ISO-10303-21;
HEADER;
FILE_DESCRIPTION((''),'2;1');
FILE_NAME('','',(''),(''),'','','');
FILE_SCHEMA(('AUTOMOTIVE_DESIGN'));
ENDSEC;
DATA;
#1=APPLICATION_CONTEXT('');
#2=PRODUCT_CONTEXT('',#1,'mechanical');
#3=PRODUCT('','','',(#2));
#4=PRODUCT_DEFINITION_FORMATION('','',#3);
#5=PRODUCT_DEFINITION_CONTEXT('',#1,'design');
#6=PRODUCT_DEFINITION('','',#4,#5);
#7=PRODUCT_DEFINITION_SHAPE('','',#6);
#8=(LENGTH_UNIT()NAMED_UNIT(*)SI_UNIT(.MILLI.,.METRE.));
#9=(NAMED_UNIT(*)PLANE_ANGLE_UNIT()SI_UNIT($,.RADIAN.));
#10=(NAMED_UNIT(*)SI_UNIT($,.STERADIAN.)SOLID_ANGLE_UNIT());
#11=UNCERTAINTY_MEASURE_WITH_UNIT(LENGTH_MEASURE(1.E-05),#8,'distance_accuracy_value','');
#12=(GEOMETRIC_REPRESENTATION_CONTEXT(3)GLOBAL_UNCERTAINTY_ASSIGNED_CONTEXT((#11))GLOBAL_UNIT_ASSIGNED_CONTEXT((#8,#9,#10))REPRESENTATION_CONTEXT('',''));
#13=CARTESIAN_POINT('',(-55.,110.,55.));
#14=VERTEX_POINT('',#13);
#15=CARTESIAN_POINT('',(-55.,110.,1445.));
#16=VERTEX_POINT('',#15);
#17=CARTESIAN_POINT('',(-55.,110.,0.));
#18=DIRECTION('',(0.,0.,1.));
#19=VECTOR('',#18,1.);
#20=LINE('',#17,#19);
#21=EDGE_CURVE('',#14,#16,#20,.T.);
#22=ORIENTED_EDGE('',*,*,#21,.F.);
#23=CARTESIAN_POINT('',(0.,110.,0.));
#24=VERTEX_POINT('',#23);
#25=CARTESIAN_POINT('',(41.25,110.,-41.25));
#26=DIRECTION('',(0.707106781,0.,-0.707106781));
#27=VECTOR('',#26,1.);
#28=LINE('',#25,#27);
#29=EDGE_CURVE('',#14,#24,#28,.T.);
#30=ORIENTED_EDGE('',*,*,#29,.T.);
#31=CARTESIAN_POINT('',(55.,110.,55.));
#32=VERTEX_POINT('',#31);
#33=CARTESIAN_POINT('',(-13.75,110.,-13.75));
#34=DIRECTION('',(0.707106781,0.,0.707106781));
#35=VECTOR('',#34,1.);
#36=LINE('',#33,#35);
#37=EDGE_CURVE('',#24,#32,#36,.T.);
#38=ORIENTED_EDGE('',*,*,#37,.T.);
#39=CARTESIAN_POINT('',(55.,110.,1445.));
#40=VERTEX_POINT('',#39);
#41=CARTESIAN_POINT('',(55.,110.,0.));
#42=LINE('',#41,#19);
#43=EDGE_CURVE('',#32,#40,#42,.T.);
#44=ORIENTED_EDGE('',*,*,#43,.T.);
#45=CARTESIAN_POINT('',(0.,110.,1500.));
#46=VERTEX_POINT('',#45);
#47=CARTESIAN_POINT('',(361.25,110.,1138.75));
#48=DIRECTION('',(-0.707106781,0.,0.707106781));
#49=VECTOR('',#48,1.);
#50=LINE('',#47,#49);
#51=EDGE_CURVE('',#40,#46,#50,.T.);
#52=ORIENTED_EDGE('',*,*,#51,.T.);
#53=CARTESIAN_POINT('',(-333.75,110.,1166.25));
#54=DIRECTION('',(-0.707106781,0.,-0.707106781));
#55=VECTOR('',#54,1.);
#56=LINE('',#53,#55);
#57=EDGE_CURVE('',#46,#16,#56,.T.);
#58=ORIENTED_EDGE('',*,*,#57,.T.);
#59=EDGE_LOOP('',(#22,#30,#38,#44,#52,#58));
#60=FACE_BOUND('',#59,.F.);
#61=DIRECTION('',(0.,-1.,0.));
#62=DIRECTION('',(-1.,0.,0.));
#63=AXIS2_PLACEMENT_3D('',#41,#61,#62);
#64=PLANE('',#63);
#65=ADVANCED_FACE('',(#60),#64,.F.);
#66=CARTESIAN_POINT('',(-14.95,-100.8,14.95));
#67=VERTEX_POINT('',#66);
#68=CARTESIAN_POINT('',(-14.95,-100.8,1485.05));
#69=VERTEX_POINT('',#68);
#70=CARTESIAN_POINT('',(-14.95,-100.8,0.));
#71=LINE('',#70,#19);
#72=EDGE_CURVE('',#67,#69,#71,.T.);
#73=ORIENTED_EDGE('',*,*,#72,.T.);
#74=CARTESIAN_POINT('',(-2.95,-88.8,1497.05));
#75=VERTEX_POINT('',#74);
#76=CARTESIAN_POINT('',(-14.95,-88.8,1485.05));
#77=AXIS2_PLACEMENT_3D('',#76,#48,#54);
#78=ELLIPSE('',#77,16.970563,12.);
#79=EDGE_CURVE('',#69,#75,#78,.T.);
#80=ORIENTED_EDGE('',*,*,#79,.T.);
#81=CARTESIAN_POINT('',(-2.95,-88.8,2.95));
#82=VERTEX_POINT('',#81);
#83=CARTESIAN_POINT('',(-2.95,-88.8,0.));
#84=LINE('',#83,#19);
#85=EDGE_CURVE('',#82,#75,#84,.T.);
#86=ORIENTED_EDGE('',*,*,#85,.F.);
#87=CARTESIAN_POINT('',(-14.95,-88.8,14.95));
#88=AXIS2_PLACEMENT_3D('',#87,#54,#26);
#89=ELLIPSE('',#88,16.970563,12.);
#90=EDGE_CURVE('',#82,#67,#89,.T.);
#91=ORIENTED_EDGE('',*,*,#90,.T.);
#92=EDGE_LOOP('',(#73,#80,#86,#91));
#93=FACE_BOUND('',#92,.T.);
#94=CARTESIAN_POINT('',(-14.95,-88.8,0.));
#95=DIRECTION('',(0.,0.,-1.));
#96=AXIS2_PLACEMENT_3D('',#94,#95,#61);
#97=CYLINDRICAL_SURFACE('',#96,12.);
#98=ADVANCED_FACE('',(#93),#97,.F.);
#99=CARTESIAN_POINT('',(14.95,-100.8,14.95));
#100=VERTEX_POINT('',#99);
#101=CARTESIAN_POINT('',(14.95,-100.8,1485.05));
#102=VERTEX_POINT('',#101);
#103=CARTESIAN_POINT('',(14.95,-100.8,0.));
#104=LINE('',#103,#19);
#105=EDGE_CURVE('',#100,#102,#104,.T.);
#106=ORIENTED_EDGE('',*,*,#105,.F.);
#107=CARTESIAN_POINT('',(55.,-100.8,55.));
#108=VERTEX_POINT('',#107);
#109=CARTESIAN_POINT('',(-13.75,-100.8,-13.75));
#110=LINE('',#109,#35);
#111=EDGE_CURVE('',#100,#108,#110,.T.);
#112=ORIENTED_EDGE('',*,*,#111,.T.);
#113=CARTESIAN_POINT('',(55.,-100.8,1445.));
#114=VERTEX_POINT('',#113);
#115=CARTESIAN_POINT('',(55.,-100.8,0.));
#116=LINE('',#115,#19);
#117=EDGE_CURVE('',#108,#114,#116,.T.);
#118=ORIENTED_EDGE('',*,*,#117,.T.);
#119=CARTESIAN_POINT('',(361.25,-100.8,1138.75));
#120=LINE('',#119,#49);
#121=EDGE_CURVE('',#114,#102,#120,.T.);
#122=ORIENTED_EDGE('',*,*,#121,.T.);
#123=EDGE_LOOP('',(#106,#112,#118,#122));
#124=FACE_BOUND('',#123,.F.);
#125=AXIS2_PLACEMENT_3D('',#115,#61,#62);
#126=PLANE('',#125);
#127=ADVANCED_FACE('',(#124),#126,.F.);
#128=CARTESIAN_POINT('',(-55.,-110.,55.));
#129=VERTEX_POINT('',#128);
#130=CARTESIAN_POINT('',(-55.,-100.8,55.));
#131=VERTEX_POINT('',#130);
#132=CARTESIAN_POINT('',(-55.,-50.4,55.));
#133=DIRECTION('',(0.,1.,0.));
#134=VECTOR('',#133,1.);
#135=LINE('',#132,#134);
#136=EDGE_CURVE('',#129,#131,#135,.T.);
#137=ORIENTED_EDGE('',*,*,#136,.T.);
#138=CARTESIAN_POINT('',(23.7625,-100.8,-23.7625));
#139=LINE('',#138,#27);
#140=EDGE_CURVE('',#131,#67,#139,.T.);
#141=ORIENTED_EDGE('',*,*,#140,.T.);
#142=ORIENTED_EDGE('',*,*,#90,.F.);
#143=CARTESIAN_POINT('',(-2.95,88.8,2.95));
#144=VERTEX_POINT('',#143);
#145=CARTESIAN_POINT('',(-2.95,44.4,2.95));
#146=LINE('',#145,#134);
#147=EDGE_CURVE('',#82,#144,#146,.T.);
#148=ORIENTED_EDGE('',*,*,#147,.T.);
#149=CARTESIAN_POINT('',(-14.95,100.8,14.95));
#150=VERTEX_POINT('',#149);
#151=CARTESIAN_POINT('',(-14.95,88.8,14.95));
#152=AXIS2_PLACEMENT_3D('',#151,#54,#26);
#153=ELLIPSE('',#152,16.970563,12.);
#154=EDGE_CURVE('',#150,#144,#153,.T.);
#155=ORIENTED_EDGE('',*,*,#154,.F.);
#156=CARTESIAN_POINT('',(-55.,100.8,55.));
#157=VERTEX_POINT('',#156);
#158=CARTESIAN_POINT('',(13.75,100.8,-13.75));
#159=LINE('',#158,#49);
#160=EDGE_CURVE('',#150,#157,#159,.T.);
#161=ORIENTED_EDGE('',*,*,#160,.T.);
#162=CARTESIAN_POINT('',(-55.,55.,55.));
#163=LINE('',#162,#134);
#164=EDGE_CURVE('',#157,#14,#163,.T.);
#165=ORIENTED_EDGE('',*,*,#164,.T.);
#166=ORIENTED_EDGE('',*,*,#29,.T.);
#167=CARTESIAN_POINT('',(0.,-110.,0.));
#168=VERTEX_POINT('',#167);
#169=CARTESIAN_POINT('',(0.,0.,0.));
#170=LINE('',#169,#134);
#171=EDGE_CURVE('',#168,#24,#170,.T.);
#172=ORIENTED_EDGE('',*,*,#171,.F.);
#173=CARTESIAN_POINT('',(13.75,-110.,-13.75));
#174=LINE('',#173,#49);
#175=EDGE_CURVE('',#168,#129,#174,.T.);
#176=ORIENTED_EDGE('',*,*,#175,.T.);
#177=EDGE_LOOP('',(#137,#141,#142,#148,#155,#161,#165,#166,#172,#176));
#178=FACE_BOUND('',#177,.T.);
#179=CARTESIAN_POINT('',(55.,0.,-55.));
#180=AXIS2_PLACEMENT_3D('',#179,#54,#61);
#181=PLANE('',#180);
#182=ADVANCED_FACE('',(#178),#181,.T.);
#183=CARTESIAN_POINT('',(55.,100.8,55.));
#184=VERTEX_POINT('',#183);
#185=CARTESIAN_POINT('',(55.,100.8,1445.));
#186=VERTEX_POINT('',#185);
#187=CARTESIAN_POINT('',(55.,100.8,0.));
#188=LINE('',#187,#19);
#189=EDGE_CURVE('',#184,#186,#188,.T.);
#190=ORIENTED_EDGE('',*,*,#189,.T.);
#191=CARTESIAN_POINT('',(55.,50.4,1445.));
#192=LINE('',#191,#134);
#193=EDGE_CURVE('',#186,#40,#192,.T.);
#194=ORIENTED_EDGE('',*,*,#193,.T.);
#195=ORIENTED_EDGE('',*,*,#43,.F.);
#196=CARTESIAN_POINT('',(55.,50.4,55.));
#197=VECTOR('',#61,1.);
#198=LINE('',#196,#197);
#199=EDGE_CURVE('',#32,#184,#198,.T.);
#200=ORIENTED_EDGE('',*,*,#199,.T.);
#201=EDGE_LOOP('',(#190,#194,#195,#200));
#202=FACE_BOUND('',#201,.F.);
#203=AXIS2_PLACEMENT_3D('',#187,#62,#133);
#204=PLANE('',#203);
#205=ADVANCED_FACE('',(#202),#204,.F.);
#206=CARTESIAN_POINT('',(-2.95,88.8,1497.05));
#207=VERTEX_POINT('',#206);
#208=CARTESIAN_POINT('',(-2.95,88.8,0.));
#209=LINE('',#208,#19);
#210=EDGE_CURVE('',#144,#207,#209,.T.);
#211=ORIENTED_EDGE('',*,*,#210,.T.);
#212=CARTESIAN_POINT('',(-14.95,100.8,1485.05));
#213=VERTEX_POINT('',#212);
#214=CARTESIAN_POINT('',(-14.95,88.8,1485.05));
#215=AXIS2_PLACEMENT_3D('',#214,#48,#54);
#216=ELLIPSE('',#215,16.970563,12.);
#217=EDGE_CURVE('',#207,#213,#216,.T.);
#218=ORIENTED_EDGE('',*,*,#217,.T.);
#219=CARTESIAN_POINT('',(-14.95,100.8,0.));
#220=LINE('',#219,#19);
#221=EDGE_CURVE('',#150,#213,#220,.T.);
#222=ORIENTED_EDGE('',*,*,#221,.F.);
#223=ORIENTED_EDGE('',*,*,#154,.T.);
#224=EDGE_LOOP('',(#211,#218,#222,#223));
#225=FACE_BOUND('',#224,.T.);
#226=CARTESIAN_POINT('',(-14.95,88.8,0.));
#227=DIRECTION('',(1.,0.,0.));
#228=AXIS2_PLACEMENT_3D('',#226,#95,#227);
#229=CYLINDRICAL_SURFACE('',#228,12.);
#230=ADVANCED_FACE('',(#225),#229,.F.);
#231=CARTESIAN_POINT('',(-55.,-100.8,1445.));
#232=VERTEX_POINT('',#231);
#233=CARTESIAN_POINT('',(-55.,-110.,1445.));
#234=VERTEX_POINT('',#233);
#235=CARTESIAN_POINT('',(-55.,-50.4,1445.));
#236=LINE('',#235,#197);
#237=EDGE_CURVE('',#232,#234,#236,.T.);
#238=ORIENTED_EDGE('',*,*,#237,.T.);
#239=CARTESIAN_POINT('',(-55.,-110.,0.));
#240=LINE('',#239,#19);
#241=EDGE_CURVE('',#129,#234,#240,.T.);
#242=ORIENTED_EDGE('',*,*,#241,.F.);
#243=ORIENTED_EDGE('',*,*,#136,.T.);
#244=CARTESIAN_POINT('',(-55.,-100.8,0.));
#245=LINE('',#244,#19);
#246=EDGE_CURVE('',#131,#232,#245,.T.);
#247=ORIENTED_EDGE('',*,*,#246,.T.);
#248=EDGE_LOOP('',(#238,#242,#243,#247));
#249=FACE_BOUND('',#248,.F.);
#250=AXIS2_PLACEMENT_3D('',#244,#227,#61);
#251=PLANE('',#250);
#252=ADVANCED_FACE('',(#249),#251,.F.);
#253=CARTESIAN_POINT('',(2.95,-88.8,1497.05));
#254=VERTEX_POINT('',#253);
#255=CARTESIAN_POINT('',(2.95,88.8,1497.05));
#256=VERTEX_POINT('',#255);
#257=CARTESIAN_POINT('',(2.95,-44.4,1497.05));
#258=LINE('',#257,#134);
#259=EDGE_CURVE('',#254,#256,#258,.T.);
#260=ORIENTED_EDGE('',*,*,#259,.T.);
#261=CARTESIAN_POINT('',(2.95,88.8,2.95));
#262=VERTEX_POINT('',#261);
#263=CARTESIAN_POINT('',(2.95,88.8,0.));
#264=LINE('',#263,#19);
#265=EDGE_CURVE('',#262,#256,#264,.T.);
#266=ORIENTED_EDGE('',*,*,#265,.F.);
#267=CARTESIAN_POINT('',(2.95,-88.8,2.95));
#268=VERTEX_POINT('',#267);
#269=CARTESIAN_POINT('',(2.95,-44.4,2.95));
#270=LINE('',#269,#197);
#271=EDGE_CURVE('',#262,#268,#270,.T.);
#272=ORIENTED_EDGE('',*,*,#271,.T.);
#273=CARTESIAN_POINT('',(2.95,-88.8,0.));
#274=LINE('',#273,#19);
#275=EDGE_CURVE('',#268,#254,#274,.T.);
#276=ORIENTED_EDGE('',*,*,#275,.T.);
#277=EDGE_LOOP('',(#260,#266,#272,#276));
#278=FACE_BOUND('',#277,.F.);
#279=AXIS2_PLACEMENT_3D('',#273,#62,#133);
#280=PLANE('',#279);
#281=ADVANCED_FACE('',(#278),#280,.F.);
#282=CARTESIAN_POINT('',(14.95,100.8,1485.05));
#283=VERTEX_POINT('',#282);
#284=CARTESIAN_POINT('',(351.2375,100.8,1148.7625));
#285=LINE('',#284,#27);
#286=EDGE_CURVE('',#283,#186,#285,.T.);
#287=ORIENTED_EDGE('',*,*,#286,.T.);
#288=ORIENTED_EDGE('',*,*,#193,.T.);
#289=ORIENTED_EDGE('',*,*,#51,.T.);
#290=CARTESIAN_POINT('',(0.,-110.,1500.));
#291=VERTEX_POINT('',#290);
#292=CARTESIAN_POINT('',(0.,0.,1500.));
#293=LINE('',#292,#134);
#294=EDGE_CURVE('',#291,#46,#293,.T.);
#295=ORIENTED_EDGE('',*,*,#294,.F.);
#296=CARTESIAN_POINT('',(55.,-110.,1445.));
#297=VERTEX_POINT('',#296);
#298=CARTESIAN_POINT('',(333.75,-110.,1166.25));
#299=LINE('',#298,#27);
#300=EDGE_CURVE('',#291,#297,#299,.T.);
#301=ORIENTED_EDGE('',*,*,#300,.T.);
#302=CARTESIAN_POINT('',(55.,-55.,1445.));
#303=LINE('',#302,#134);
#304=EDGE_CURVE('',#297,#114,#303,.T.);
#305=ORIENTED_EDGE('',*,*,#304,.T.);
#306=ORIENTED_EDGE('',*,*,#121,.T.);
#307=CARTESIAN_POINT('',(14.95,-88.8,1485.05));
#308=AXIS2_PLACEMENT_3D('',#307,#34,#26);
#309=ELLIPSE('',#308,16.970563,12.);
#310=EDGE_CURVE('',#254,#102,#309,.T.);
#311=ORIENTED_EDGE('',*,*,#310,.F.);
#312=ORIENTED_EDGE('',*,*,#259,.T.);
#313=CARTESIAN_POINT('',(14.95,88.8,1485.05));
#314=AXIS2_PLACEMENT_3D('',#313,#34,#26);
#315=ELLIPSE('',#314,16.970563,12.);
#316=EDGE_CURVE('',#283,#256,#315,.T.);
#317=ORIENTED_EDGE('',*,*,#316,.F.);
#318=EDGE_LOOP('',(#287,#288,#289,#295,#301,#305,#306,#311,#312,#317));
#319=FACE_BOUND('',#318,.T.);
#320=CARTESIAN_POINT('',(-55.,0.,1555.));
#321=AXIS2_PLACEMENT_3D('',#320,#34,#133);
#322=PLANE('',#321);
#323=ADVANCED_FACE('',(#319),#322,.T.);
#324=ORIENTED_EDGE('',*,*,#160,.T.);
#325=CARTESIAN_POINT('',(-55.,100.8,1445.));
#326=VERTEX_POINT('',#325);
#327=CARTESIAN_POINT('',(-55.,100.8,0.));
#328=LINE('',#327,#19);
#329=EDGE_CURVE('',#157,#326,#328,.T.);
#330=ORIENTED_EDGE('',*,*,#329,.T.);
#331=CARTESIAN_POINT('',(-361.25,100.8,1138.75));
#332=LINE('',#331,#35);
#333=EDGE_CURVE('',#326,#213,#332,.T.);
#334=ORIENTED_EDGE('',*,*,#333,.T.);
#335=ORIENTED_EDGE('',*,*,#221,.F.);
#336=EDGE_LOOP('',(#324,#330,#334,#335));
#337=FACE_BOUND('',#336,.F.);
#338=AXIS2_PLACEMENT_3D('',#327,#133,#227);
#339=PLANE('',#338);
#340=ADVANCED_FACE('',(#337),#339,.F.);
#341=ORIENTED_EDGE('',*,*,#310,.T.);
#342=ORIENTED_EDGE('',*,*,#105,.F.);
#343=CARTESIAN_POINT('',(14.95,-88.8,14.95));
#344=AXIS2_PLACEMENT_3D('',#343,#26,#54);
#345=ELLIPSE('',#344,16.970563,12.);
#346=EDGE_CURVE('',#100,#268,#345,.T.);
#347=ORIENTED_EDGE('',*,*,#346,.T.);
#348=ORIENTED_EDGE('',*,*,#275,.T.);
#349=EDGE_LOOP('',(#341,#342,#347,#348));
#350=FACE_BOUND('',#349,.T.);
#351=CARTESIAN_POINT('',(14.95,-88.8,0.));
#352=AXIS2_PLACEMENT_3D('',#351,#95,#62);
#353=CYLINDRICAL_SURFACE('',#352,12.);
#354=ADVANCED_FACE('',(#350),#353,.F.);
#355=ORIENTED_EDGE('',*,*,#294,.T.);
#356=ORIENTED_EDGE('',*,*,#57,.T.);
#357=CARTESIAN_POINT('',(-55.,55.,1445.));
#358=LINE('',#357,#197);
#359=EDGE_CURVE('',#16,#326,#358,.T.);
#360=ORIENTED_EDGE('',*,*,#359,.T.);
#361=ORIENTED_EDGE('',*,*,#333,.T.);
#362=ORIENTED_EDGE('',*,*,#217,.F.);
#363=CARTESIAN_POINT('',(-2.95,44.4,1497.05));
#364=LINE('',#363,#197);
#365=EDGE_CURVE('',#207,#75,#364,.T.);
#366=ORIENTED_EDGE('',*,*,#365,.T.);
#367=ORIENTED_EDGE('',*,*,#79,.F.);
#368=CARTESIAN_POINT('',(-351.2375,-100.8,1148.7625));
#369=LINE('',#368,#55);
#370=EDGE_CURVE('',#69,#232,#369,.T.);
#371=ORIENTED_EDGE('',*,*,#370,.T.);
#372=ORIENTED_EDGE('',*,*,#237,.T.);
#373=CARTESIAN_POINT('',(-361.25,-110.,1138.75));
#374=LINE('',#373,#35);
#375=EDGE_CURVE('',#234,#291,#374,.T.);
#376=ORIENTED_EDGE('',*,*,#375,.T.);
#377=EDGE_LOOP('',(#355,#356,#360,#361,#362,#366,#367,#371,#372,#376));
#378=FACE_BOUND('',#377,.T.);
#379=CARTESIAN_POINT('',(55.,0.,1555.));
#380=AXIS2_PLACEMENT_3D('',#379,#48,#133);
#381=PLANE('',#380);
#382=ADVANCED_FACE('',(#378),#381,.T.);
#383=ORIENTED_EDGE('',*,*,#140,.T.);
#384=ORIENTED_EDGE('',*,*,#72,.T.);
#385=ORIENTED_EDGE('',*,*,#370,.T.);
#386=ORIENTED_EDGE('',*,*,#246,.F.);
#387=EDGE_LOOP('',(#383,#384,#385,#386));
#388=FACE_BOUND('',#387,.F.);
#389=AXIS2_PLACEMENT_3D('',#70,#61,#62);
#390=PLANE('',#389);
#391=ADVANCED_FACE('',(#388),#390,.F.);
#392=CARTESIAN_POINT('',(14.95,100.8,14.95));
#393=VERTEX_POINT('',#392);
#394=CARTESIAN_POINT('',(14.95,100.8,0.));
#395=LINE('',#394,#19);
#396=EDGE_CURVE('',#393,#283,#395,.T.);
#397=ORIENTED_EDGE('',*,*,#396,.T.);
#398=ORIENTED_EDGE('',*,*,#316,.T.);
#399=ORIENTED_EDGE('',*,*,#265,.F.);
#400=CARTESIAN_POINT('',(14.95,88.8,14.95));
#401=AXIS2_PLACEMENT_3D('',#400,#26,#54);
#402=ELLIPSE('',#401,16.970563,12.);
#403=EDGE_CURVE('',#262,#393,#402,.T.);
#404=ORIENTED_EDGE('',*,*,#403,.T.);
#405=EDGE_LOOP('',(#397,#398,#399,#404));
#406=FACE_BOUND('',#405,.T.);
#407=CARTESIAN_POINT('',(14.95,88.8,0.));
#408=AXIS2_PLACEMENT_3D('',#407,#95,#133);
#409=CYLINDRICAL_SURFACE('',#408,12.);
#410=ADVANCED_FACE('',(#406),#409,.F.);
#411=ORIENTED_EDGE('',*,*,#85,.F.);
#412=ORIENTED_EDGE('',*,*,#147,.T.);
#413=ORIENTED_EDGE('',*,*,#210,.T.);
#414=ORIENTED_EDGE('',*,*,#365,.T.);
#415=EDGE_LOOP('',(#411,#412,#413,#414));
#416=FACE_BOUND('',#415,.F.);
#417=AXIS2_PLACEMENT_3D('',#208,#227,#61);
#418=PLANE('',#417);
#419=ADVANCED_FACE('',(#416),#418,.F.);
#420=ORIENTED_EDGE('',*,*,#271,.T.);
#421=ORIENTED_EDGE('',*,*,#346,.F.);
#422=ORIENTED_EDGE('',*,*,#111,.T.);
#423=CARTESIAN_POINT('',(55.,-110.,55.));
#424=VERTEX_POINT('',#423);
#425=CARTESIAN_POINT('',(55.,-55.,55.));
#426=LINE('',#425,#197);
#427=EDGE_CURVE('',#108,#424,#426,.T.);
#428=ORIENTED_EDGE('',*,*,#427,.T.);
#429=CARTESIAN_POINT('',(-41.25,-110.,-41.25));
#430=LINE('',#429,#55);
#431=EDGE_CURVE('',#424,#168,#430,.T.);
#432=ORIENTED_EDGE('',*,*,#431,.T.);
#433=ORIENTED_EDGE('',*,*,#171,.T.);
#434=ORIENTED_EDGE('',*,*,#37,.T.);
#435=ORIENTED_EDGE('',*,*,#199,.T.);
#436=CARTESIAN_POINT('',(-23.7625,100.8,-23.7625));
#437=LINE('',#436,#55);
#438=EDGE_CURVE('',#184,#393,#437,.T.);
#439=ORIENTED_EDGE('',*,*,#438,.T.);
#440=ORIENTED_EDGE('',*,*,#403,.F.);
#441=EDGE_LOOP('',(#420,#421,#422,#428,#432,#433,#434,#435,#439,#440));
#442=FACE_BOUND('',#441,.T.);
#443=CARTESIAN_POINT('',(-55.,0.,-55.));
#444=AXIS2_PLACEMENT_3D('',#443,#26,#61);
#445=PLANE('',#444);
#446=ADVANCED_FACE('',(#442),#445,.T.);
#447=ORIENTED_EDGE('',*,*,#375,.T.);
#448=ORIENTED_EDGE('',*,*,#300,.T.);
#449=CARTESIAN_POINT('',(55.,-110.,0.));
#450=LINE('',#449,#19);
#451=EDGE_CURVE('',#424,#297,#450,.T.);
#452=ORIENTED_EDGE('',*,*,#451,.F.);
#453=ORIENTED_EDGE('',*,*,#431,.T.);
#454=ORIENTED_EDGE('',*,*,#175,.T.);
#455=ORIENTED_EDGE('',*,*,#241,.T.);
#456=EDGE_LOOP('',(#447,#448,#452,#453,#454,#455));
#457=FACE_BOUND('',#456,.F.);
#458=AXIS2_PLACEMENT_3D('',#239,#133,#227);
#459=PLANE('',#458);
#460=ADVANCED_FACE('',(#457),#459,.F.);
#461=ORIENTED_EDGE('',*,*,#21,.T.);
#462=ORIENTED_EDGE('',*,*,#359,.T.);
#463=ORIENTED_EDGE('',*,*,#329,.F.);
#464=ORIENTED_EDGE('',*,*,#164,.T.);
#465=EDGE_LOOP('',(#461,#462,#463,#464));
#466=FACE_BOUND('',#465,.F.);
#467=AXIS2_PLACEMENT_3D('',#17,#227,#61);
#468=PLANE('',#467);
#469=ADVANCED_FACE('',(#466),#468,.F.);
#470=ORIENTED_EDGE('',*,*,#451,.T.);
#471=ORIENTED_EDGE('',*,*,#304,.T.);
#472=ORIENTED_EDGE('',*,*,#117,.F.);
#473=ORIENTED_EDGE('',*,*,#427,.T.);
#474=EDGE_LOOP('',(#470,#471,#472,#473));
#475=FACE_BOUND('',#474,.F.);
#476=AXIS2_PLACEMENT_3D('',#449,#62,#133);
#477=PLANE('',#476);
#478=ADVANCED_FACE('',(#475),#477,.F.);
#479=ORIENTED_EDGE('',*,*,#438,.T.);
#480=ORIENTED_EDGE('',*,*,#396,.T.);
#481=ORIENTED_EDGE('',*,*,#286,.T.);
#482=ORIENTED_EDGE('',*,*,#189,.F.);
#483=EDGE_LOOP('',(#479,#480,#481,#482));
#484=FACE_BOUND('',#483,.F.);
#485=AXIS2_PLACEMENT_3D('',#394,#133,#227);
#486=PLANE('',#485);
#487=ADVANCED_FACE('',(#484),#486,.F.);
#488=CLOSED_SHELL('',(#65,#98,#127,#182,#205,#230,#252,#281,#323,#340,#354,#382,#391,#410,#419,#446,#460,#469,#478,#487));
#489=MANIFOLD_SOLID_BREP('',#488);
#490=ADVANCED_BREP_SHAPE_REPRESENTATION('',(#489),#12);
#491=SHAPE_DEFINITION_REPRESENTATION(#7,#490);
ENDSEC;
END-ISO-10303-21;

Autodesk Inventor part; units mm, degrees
ref_plane "Start plane" through (0, 0, 0) normal (0, 0, 1) x (1, 0, 0)
ref_plane "End plane" through (0, 0, 1500) normal (0, 0, 1) x (1, 0, 0)
sketch "Sketch2" plane through (0, 0, 0) normal (0, 0, 1) x (1, 0, 0)
  line L0 (-55, 100.8) -> (-14.95, 100.8)
  line L1 (-55, 110) -> (-55, 100.8)
  line L2 (55, 110) -> (-55, 110)
  line L3 (55, 100.8) -> (55, 110)
  line L4 (14.95, 100.8) -> (55, 100.8)
  line L5 (2.95, -88.8) -> (2.95, 88.8)
  line L6 (55, -100.8) -> (14.95, -100.8)
  line L7 (55, -110) -> (55, -100.8)
  line L8 (-55, -100.8) -> (-55, -110)
  line L9 (-14.95, -100.8) -> (-55, -100.8)
  line L10 (-2.95, 88.8) -> (-2.95, -88.8)
  line L11 (0, -154) -> (0, 154) construction
  line L12 (-2.95, -100.8) -> (2.95, -100.8) construction
  arc A0 (-14.95, -100.8) -> (-2.95, -88.8) centre (-14.95, -88.8) ccw
  arc A1 (-2.95, 88.8) -> (-14.95, 100.8) centre (-14.95, 88.8) ccw
  arc A2 (14.95, 100.8) -> (2.95, 88.8) centre (14.95, 88.8) ccw
  arc A3 (2.95, -88.8) -> (14.95, -100.8) centre (14.95, -88.8) ccw
  line L13 (-77, 0) -> (77, 0) construction
  line L14 (-55, -110) -> (55, -110)
  point P0 (-2.95, 100.8)
  point P1 (2.95, 100.8)
  point P2 (0, 0)
  point P3 (0, -100.8)
  point P4 (0, 0)
  dimension "d1" = 220
  dimension "d3" = 9.2
  dimension "d5" = 5.9
  dimension "d7" = 110
  dimension "d13" = 12
  dimension "d14" = 110
  dimension "d15" = 55
extrude "Body" add sketch "Sketch2" along normal up to surface (1500 mm away) from surface at 0
sketch "Sketch3" plane through (0, 0, 0) normal (0, 0, 1) x (1, 0, 0)
  line L0 (0, 0) -> (10, 0)
ref_plane "Work Plane3" through (0, 0, 0) normal (0, -1, 0) x (1, 0, 0)
ref_plane "Work Plane4" through (-55, 0, 1555) normal (0.7071, 0, 0.7071) x (0.7071, 0, -0.7071)
split "Split1" plane through (-55, 0, 1555) removes the side toward (0.7071, 0, 0.7071)
ref_plane "Work Plane5" through (-55, 0, -55) normal (0.7071, 0, -0.7071) x (-0.7071, 0, -0.7071)
split "Split2" plane through (-55, 0, -55) removes the side toward (0.7071, 0, -0.7071)
ref_plane "Work Plane6" through (55, 0, -55) normal (-0.7071, 0, -0.7071) x (-0.7071, 0, 0.7071)
split "Split3" plane through (55, 0, -55) removes the side toward (-0.7071, 0, -0.7071)
ref_plane "Work Plane7" through (55, 0, 1555) normal (-0.7071, 0, 0.7071) x (0.7071, 0, 0.7071)
split "Split4" plane through (55, 0, 1555) removes the side toward (-0.7071, 0, 0.7071)
sketch "Sketch4" plane through (0, 0, 0) normal (0, -1, 0) x (1, 0, 0)
  line L0 (-2, 0) -> (12, 0) projected
  line L1 (-2, 1500) -> (12, 1500) projected
  dimension "d19" = 1500
equation "\"d1\" = ParH"
equation "\"d3\" = t2"
equation "\"d5\" = t1"
equation "\"d7\" = b"
equation "\"d13\" = R1"
equation "\"d14\" = 0.5 * d1"
equation "\"d15\" = 0.5 * d7"
equation "\"d8\" = G_L"
equation "\"b\" = 110"
equation "\"ParH\" = 220"
equation "\"R1\" = 12"
equation "\"G_L\" = d19"
equation "\"t1\" = 5.9"
equation "\"t2\" = 9.2"
equation "\"G_OFFSET_START\" = 0"
equation "\"G_OFFSET_END\" = 0"
properties part number "DIN 1025 - IPE 220-1500" material "Steel, Mild"
